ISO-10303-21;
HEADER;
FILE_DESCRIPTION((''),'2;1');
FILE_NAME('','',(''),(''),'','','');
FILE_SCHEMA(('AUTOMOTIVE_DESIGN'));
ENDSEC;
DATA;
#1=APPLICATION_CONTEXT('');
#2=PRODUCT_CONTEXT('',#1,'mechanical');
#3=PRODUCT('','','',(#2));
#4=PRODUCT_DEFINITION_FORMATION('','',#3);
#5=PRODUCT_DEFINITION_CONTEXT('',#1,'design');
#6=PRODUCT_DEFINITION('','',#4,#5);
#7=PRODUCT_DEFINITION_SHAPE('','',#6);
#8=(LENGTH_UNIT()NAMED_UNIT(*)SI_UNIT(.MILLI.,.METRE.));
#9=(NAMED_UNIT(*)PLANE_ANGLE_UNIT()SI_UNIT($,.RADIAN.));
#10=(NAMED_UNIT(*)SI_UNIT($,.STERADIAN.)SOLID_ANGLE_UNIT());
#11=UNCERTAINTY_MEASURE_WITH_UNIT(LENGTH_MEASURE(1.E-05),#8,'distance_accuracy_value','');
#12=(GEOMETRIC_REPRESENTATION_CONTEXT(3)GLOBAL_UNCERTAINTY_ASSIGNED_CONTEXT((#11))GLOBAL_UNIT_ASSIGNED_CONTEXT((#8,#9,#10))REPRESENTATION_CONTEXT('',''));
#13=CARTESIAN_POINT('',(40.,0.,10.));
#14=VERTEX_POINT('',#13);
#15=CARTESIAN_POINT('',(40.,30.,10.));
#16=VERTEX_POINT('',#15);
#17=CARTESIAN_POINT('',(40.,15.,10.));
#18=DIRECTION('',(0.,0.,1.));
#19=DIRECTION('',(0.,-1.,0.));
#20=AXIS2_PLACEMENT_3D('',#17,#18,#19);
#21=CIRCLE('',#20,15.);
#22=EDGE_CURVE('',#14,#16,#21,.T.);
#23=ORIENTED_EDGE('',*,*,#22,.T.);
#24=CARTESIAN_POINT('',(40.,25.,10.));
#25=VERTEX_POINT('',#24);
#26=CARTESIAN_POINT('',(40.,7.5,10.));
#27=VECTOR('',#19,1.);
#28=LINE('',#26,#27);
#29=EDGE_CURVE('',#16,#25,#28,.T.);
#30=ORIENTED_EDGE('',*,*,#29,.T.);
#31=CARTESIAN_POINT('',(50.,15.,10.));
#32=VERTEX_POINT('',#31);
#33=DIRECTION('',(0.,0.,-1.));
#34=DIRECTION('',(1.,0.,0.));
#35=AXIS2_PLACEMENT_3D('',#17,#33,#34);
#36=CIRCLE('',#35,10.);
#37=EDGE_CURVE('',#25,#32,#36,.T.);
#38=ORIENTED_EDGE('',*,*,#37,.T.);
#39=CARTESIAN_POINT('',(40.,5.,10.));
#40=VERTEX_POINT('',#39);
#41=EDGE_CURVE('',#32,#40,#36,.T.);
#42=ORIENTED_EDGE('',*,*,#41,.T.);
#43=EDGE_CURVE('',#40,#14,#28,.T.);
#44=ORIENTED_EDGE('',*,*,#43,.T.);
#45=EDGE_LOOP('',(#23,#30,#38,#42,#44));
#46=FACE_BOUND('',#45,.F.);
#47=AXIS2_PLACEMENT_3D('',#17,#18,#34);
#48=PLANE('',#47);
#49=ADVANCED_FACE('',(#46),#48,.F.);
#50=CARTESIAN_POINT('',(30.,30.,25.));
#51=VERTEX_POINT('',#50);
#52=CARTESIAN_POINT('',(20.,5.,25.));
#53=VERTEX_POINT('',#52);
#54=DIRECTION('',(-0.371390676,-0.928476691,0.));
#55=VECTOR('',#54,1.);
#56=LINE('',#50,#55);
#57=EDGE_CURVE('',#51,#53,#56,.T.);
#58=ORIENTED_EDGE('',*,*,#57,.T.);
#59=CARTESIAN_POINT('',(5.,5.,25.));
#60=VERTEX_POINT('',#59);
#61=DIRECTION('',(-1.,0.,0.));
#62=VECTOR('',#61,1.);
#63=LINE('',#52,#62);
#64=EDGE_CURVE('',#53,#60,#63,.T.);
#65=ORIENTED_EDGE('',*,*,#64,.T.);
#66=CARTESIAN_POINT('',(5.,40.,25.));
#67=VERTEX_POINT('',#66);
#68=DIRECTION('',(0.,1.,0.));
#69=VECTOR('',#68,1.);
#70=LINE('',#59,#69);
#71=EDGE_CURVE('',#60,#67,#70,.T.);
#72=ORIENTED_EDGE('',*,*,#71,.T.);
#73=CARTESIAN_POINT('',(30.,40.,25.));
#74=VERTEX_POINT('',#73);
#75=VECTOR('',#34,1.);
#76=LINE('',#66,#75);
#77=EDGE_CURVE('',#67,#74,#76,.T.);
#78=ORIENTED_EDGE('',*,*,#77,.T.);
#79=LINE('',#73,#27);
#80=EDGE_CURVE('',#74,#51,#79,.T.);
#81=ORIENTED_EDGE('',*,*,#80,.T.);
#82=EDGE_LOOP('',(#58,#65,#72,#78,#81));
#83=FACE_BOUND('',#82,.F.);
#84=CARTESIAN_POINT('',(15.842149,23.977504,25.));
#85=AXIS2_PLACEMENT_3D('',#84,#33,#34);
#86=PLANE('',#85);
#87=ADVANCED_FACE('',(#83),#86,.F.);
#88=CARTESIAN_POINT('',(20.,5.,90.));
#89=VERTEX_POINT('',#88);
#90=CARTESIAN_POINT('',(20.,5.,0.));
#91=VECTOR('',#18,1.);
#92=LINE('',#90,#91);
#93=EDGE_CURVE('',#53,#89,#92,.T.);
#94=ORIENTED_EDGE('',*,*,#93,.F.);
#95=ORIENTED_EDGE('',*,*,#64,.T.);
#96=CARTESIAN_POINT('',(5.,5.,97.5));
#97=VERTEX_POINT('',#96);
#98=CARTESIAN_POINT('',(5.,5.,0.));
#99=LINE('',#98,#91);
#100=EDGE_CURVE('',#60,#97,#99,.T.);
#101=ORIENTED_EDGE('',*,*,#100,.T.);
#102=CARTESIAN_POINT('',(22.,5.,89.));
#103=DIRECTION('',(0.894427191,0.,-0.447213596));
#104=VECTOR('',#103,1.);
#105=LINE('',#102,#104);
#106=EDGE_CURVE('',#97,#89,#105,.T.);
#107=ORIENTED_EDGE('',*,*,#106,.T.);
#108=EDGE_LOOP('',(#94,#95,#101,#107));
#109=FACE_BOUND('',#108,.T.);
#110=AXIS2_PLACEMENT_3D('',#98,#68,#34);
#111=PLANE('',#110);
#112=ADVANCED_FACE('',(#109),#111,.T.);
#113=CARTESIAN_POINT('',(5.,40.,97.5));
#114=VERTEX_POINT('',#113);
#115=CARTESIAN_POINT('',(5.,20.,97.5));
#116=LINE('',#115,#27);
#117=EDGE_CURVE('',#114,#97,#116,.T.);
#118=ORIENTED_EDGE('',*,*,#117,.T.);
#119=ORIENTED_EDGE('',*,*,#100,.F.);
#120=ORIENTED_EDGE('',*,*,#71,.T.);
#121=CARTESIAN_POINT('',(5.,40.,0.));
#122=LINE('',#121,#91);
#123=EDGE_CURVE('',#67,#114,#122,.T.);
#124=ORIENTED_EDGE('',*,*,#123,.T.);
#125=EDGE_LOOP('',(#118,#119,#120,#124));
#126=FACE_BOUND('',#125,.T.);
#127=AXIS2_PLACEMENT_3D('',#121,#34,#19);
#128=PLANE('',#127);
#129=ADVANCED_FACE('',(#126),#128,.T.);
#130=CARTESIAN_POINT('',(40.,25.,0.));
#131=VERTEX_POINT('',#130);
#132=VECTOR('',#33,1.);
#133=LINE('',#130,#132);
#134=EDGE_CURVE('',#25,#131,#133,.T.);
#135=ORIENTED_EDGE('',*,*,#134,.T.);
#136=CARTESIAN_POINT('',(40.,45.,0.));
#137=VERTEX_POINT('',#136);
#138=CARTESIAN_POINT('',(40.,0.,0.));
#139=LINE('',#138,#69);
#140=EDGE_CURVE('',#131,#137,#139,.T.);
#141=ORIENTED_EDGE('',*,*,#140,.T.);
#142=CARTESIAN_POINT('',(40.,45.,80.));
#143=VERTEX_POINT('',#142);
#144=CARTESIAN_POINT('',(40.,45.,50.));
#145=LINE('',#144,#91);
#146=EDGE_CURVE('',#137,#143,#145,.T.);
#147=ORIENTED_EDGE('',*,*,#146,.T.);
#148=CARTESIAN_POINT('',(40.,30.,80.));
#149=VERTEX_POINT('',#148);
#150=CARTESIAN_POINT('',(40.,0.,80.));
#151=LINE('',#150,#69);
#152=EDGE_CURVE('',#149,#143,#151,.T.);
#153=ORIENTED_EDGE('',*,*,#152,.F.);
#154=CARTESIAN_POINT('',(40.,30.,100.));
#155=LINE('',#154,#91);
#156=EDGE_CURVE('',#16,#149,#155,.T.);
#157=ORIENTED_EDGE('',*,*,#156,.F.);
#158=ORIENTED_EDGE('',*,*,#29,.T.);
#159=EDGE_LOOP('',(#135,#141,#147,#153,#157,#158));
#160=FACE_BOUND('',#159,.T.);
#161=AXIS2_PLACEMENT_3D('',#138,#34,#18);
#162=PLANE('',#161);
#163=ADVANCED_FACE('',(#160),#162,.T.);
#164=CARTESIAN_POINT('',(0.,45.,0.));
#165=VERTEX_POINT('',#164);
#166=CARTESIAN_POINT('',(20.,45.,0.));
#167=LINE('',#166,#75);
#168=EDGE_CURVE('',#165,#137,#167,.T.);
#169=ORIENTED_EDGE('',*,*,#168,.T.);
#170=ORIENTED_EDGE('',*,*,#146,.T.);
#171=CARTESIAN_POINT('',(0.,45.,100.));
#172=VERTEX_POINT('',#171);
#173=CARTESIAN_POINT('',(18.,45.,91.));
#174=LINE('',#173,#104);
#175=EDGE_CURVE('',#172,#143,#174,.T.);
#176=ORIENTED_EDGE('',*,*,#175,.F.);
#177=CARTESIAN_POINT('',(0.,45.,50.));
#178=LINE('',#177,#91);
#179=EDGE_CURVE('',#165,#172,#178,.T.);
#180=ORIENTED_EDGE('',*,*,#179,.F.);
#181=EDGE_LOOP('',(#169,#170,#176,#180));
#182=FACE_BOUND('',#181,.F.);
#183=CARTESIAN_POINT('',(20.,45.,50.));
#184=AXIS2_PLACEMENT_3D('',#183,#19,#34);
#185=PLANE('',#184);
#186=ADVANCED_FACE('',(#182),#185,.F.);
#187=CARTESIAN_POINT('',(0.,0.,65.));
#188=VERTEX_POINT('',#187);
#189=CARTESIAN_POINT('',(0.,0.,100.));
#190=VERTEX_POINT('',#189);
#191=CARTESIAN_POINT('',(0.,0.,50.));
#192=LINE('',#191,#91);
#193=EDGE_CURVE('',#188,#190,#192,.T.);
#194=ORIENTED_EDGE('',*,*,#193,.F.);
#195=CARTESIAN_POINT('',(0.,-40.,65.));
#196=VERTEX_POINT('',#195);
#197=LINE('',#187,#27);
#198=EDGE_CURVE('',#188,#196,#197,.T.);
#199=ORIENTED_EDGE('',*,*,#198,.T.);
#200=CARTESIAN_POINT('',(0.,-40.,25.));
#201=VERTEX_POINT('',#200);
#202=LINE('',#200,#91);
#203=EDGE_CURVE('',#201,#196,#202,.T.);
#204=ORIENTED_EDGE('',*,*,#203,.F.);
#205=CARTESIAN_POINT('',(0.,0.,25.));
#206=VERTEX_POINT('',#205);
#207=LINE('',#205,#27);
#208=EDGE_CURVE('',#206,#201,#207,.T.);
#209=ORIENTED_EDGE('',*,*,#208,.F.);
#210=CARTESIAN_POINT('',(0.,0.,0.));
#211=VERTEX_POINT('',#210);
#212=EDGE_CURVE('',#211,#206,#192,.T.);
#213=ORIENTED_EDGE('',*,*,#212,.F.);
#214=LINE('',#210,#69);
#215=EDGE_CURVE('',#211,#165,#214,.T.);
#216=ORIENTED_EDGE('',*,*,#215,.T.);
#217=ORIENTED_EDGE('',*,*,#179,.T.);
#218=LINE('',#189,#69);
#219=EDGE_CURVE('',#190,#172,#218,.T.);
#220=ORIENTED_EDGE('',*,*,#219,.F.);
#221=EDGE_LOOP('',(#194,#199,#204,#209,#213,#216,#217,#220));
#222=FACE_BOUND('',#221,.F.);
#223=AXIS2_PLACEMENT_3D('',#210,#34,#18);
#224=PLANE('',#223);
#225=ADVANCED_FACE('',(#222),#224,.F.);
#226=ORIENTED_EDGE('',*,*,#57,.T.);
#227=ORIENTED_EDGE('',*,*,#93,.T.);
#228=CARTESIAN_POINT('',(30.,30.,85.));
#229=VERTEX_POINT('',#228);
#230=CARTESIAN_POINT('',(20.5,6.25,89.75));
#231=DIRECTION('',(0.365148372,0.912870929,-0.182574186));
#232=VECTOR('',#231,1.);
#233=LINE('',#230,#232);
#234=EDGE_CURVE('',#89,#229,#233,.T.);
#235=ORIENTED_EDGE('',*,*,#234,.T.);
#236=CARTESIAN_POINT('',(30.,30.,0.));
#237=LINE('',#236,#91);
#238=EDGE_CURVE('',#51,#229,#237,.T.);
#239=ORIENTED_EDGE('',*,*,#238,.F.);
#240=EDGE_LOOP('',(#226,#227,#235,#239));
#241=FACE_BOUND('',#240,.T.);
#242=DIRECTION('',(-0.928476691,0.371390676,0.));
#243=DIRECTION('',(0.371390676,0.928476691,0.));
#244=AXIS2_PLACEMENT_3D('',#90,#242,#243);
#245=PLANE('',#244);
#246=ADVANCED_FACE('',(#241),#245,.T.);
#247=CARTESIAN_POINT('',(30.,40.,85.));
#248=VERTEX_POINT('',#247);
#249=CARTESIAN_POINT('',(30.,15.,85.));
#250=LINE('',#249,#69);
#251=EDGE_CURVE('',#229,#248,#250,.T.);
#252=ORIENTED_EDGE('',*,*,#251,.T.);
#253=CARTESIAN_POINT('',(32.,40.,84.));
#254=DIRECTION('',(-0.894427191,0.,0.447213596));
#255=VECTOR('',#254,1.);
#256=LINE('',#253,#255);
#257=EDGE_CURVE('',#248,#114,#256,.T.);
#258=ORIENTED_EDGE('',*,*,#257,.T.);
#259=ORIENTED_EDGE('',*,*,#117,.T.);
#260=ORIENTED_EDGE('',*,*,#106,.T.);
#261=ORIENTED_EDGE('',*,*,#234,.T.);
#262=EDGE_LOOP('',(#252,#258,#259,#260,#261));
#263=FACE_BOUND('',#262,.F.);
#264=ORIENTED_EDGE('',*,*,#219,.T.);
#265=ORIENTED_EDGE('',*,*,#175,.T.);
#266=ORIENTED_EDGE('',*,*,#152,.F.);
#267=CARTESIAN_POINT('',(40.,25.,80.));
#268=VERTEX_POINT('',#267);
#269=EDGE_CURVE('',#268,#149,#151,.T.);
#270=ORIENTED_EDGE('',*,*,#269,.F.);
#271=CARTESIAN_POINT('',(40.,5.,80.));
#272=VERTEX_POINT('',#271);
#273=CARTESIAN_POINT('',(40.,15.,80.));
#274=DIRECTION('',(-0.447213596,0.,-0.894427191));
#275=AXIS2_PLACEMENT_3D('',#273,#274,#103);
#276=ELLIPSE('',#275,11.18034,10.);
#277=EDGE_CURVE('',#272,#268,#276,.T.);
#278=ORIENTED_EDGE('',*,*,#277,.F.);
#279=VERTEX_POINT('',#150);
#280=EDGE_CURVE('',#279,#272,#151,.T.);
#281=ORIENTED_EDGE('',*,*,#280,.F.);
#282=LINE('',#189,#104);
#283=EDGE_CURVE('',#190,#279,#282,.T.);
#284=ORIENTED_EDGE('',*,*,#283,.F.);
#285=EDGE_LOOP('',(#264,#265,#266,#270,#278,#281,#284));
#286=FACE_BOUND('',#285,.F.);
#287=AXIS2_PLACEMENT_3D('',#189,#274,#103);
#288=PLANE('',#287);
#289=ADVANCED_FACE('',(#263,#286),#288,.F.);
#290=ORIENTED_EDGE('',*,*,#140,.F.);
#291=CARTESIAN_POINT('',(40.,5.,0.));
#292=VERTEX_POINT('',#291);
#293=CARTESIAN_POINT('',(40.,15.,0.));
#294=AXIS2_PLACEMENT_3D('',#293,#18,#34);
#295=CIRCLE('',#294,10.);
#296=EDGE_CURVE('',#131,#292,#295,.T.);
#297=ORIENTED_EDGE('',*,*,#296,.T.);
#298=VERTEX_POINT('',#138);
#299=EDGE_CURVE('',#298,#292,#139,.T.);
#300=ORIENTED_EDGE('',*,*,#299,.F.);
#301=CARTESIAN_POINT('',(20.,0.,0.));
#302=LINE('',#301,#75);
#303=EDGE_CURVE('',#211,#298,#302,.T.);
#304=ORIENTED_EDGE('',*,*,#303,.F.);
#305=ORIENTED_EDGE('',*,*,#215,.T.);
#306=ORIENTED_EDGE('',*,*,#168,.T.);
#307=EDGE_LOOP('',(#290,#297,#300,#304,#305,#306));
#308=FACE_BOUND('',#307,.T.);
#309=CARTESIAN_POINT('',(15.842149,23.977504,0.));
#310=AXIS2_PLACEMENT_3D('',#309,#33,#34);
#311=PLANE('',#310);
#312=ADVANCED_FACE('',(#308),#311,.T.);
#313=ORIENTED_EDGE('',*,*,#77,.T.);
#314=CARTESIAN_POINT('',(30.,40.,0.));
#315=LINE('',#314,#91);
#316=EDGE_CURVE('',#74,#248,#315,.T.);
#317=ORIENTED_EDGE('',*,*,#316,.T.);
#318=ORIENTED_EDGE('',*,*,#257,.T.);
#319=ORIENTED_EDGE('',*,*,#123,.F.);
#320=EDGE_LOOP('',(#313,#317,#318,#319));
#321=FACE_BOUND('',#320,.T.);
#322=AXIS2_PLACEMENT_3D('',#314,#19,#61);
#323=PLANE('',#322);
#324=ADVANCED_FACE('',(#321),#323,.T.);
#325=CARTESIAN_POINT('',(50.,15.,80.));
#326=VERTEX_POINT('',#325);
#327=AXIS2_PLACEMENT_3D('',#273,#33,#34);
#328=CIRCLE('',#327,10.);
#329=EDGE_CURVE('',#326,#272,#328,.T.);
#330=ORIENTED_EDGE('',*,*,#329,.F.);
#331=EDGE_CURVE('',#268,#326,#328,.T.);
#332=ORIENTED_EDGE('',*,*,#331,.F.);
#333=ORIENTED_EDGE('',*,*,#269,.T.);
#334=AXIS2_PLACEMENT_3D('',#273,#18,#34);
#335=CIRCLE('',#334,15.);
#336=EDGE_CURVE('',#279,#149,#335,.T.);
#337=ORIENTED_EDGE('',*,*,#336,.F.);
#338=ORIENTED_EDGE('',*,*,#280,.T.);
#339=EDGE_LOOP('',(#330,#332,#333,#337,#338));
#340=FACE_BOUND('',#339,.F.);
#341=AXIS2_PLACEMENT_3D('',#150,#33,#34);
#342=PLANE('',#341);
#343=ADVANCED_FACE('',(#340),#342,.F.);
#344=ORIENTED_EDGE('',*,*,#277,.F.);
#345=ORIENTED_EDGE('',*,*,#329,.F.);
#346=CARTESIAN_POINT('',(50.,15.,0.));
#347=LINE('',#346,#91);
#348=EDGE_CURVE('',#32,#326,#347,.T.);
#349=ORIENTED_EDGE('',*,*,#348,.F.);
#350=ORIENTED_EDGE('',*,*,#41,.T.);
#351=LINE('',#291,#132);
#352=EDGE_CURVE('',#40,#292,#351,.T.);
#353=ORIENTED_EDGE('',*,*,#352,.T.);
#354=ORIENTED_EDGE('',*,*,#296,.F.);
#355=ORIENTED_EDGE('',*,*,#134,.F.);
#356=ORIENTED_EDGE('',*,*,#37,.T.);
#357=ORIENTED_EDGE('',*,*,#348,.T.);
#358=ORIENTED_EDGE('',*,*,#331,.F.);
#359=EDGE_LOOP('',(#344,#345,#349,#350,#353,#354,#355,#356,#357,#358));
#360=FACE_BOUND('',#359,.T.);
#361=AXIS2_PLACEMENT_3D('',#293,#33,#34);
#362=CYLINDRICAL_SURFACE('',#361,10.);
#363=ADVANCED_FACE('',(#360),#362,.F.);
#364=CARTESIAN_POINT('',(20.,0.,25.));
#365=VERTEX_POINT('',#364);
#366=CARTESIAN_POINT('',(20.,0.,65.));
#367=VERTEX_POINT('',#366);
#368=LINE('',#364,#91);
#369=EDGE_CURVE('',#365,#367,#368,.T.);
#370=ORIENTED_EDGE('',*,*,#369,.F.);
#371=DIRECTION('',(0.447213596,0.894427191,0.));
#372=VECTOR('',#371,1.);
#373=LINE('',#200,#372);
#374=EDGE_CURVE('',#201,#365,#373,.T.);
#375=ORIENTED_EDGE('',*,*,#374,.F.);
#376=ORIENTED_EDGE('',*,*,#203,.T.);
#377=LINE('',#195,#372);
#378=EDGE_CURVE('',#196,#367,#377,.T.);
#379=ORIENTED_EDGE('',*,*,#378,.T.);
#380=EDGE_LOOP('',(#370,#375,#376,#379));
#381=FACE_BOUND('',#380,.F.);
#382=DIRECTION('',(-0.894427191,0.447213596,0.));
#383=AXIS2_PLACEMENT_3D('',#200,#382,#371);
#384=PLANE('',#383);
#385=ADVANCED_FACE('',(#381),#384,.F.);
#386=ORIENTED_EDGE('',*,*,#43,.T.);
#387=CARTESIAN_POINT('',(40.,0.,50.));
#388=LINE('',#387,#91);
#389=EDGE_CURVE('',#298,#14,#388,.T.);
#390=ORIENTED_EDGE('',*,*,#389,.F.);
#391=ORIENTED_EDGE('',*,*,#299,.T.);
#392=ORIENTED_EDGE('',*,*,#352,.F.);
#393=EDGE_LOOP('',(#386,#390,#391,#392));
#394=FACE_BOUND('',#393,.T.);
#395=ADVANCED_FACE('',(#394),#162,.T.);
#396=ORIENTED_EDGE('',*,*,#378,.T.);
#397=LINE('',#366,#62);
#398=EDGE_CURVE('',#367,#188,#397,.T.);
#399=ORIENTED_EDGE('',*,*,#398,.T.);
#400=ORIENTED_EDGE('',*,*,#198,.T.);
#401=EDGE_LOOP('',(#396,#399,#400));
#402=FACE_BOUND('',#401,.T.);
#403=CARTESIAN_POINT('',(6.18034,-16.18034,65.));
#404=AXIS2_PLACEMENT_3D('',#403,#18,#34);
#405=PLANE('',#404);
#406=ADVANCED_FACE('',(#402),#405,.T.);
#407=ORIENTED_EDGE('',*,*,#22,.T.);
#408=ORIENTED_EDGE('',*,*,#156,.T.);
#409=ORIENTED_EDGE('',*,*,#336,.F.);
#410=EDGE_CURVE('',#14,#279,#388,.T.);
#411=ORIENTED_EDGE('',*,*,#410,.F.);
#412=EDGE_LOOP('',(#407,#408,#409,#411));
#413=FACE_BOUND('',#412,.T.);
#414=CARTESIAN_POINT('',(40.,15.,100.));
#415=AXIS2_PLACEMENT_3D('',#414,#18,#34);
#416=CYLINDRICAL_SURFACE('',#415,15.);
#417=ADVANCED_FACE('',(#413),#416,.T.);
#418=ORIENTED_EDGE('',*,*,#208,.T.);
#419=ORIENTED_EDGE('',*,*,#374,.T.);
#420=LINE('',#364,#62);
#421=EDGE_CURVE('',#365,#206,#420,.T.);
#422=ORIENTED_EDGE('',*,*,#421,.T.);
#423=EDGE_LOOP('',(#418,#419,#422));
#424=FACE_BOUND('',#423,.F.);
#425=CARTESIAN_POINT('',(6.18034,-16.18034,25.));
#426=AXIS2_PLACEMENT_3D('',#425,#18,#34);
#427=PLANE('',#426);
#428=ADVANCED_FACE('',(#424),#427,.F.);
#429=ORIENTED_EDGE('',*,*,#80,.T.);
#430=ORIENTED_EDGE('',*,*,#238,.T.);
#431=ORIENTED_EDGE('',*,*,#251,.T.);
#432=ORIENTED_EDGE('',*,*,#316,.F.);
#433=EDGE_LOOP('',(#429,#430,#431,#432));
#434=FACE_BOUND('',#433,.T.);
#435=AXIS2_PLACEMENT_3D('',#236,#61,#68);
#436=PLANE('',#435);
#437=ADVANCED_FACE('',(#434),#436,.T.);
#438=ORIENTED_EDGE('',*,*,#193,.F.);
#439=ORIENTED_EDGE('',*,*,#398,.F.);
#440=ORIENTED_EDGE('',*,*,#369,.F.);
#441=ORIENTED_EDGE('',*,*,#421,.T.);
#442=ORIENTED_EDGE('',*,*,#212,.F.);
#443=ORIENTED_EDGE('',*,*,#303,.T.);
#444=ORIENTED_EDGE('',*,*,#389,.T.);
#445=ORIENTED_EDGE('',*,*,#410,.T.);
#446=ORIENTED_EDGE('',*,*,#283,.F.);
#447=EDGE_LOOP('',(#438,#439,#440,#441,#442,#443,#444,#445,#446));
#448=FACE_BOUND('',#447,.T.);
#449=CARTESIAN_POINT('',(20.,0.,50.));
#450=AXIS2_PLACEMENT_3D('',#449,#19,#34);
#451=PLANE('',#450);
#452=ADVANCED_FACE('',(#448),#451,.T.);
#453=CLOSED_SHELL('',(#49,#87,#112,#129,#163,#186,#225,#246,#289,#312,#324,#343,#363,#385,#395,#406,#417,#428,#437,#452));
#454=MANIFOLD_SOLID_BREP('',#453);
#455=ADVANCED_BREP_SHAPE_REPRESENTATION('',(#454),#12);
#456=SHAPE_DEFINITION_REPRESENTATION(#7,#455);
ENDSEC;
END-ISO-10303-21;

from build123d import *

# Parameters (mm, degrees)
F0_W      = 40
F0_H      = 100
F1_DEPTH  = 45
F2_R      = 15
F3_DEPTH  = 90
F5_DEPTH  = 45.001
F7_DEPTH  = 100.001
F9_DEPTH  = 25
F10_R     = 10
F11_DEPTH = 100.001
F14_DEPTH = 40


with BuildPart() as f1:
    # F0 (on Front) → F1 (new body)
    with BuildSketch(Plane.XZ):
        with Locations((20, 50)):
            Rectangle(F0_W, F0_H)
    extrude(amount=-F1_DEPTH)

    # F2 (on face) → F3 (join)
    with BuildSketch(Plane.XY.offset(100)):
        with Locations((40, 15)):
            Circle(F2_R)
    extrude(amount=-F3_DEPTH)

    # F4 (on face) → F5 (cut, through all)
    with BuildSketch(Plane.XZ):
        Polygon((62.4297, 100), (0, 100), (40, 80), (62.4297, 80), align=None)
    extrude(amount=-F5_DEPTH, mode=Mode.SUBTRACT)

    # F6 (on Top) → F7 (cut, through all)
    with BuildSketch(Plane.XY):
        Polygon((30, 40), (5, 40), (5, 5), (20, 5), (30, 30), align=None)
    extrude(amount=F7_DEPTH, mode=Mode.SUBTRACT)

    # F8 (on face) → F9 (join)
    with BuildSketch(Plane(origin=(0, 0, 0), x_dir=(1, 0, 0), z_dir=(0, 0, -1))):
        Polygon((5, -5), (5, -40), (30, -40), (30, -30), (20, -5), align=None)
    extrude(amount=-F9_DEPTH)

    # F10 (on Top) → F11 (cut, through all)
    with BuildSketch(Plane.XY):
        with Locations((40, 15)):
            Circle(F10_R)
    extrude(amount=F11_DEPTH, mode=Mode.SUBTRACT)

    # F13 (on offset) → F14 (join)
    with BuildSketch(Plane.XY.offset(25)):
        Polygon((20, 0), (0, 0), (0, -40), align=None)
    extrude(amount=F14_DEPTH)


solid = f1.part
